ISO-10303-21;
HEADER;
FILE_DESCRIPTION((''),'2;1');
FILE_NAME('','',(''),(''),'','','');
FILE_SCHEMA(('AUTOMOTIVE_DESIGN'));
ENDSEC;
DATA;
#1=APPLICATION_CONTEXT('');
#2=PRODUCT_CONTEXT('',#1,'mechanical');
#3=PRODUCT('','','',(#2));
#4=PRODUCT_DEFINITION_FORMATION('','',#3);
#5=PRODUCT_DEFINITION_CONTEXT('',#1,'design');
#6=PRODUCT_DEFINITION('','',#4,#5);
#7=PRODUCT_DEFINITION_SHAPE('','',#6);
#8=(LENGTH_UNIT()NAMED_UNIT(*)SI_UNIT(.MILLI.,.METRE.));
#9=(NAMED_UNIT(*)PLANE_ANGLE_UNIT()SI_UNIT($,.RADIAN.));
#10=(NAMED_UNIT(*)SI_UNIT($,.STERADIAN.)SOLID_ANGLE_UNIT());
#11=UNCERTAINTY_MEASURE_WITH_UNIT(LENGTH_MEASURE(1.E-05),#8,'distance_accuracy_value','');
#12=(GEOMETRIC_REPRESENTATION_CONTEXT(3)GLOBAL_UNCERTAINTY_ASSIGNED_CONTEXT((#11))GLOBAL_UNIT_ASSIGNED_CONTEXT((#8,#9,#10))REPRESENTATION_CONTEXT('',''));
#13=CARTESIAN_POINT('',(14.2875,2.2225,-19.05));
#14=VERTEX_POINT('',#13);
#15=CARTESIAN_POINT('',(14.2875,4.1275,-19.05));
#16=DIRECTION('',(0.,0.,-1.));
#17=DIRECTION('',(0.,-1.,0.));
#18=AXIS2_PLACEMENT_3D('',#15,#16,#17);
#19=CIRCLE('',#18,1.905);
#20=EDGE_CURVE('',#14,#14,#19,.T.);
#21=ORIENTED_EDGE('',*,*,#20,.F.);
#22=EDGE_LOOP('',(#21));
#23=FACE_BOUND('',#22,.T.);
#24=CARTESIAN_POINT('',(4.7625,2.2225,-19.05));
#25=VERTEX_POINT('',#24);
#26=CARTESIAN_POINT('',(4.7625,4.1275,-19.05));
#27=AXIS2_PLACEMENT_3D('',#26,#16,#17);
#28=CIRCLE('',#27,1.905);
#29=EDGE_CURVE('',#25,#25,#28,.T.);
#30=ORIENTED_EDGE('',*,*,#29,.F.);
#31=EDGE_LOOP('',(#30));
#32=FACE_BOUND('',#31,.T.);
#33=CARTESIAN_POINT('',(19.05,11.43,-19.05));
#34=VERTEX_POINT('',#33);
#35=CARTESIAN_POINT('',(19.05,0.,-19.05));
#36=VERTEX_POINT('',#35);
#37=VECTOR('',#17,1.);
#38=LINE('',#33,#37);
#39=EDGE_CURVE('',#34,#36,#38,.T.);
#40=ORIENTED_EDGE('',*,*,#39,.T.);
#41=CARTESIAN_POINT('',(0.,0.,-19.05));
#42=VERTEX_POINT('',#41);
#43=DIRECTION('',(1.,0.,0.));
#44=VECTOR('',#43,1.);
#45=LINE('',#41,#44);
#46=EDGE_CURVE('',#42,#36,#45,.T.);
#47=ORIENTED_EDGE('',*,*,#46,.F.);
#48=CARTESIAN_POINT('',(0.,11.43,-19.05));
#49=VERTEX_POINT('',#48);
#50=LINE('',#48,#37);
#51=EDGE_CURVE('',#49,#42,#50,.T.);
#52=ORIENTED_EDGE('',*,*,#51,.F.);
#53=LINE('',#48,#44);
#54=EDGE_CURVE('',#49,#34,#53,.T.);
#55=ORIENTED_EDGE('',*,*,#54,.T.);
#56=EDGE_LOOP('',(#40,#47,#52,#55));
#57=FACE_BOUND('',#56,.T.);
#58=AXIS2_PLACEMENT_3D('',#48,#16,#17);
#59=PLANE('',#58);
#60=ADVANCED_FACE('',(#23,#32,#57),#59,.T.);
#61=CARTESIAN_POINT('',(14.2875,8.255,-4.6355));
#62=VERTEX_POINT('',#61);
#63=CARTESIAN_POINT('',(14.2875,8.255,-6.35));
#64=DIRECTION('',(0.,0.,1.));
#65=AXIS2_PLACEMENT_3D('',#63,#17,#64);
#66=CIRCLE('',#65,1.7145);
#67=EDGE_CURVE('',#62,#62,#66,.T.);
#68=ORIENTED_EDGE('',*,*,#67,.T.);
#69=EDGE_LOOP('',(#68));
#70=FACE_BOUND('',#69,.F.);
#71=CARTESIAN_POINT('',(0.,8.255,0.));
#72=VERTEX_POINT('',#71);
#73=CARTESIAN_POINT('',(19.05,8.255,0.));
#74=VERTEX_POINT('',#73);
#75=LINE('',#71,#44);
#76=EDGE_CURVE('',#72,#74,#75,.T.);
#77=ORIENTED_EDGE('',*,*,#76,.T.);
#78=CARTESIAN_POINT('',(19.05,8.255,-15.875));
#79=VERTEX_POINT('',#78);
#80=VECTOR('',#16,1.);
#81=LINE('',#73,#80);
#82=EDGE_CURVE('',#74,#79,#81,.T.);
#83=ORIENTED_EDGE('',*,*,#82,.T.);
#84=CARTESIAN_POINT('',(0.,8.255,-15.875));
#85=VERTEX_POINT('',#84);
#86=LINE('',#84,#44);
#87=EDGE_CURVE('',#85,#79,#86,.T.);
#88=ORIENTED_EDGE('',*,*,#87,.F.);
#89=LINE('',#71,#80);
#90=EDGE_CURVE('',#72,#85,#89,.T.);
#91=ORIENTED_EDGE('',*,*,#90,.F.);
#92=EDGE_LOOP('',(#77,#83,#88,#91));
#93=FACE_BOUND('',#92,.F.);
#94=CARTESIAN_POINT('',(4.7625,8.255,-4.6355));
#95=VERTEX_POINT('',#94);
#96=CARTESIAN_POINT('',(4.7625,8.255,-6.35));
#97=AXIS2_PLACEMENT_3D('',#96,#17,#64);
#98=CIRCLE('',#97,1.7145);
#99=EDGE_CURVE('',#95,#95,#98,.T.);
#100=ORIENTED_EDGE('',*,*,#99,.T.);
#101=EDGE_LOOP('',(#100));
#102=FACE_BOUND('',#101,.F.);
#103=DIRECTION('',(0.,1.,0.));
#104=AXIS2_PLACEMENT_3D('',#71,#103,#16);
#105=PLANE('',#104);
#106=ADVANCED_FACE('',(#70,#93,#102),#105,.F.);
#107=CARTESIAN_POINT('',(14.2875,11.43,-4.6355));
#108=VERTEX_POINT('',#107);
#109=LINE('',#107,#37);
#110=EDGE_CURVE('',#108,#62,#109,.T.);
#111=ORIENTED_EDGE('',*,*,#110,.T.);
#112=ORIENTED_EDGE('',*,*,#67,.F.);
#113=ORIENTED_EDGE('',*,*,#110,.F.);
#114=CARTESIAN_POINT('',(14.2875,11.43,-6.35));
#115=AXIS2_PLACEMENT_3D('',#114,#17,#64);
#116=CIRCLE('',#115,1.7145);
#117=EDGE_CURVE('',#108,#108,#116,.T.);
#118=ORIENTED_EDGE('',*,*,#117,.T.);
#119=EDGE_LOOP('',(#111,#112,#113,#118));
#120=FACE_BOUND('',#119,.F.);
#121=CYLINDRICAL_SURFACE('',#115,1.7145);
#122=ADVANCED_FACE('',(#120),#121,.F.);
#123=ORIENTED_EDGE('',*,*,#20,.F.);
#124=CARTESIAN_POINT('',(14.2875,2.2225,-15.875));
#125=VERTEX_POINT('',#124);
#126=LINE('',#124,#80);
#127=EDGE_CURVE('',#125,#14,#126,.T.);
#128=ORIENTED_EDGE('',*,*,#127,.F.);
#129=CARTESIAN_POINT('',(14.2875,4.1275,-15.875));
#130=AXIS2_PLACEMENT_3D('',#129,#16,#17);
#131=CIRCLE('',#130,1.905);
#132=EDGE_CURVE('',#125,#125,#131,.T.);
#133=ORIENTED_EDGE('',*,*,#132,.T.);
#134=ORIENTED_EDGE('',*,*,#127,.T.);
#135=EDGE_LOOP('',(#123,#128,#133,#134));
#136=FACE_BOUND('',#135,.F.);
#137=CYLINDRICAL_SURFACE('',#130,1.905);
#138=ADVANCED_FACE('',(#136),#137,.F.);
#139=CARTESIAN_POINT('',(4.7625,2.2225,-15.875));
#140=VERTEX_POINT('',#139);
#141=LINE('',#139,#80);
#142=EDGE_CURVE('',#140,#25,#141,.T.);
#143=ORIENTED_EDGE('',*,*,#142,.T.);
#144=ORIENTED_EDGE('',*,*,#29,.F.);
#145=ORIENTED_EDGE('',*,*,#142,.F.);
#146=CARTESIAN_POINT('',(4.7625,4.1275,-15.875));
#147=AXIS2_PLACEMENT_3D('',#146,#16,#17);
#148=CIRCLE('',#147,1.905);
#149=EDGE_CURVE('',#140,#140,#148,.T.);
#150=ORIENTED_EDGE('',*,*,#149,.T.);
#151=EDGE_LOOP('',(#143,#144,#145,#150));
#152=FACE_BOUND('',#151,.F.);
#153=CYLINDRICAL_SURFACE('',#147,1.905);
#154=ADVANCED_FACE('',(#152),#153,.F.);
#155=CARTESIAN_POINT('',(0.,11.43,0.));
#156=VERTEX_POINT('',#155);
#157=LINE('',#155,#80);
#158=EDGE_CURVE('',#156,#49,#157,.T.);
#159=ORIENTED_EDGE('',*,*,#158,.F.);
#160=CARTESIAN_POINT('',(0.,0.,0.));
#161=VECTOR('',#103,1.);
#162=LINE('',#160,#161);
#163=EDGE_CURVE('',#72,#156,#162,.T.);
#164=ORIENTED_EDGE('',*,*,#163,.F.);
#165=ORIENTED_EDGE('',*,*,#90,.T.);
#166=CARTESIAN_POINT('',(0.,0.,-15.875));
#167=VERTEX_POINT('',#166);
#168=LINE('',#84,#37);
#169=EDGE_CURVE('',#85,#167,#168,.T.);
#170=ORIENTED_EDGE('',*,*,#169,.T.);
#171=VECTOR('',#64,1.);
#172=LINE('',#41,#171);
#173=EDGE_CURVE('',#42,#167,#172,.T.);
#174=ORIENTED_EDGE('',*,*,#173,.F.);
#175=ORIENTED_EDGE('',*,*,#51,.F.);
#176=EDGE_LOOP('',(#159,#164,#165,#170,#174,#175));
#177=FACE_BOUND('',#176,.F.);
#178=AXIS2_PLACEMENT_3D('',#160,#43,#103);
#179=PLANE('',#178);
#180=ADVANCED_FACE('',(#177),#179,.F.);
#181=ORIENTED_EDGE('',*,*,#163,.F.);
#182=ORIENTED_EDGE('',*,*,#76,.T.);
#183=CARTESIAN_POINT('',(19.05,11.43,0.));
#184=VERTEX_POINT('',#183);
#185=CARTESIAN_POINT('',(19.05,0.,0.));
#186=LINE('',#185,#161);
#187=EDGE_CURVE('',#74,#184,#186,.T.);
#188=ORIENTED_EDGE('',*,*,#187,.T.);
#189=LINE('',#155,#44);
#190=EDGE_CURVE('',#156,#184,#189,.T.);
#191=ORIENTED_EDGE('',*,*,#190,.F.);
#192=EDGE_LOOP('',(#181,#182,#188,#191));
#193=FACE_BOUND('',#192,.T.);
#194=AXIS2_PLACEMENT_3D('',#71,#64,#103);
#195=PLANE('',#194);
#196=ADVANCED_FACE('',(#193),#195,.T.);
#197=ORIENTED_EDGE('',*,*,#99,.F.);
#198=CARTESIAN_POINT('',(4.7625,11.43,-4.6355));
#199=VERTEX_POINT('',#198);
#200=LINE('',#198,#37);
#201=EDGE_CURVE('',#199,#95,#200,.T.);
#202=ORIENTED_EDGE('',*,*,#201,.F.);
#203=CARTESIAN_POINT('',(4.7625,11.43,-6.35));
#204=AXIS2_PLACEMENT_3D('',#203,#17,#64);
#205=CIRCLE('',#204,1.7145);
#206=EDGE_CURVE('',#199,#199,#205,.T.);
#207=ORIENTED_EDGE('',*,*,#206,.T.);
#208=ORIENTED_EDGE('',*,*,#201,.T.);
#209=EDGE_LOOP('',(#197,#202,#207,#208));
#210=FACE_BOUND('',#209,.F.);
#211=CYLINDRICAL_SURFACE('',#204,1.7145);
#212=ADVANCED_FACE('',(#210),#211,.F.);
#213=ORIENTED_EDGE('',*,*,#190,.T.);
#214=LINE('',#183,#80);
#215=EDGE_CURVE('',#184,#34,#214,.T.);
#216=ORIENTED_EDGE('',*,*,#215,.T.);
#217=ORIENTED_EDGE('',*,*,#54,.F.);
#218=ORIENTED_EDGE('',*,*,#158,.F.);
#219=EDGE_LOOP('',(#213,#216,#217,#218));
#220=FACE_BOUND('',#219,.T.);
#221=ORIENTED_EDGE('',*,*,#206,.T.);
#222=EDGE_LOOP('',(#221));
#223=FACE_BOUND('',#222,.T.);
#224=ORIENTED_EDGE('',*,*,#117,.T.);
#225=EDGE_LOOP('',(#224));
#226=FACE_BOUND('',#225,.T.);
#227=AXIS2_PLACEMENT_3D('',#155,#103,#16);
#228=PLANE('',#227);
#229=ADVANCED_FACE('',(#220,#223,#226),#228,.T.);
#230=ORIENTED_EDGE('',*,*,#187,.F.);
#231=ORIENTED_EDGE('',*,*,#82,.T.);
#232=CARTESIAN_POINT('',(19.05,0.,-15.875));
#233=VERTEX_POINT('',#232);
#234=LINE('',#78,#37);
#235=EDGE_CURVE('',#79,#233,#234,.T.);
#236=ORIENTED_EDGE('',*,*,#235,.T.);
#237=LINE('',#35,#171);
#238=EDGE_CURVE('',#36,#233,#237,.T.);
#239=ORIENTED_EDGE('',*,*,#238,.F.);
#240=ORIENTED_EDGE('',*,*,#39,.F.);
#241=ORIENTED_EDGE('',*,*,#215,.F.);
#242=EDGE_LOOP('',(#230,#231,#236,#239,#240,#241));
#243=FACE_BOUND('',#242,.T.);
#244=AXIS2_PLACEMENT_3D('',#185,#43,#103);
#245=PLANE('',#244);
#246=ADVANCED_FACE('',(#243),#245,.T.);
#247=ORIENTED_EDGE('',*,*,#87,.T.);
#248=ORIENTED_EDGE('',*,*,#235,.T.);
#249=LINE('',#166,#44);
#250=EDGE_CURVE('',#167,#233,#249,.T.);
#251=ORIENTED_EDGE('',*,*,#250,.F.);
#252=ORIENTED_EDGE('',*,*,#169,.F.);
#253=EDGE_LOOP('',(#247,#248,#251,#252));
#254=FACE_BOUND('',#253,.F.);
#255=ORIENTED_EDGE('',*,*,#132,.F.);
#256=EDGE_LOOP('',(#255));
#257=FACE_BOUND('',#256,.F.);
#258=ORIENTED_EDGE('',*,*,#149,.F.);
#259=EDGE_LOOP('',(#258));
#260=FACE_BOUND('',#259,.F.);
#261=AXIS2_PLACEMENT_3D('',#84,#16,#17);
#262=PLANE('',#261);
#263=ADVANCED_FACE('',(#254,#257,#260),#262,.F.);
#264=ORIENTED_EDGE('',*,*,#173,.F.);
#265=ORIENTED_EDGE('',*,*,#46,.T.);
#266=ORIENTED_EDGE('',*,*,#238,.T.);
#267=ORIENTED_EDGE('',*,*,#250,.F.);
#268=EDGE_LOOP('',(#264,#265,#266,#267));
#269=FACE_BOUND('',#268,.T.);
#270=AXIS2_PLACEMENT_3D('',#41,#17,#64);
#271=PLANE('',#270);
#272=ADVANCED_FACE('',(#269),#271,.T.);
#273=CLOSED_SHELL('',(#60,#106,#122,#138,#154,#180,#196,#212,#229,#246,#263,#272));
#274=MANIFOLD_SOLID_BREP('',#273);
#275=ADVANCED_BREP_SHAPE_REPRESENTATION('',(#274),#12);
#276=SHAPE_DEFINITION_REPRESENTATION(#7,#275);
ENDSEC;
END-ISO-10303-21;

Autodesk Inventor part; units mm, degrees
ref_plane "YZ Plane" through (0, 0, 0) normal (1, 0, 0) x (0, 1, 0)
ref_plane "XZ Plane" through (0, 0, 0) normal (0, 1, 0) x (-1, 0, 0)
ref_plane "XY Plane" through (0, 0, 0) normal (0, 0, 1) x (1, 0, 0)
sketch "Sketch1" plane through (0, 0, 0) normal (1, 0, 0) x (0, 1, 0)
  line L0 (0, 0) -> (11.43, 0)
  line L1 (11.43, 0) -> (11.43, -19.05)
  line L2 (11.43, -19.05) -> (0, -19.05)
  line L3 (0, -19.05) -> (0, 0)
  line L4 (0, 0) -> (8.255, 0)
  line L5 (8.255, 0) -> (8.255, -15.875)
  line L6 (8.255, -15.875) -> (0, -15.875)
  line L7 (0, -15.875) -> (0, 0)
  dimension "d0" = 11.43
  dimension "d1" = 19.05
  dimension "d2" = 8.255
  dimension "d3" = 15.875
extrude "Extrusion1" add sketch "Sketch1" along normal blind 19.05 contours L0 L1 L2 L3 L6 L5
sketch "Sketch2" plane through (0, 11.43, 0) normal (0, 1, 0) x (1, 0, 0)
  line L0 (0, 19.05) -> (0, 0) projected
  line L1 (0, 0) -> (19.05, 0) projected
  line L2 (19.05, 19.05) -> (19.05, 0) projected
  line L3 (0, 19.05) -> (19.05, 19.05) projected
  point P0 (0, 0)
  point P1 (4.7625, 6.35)
  point P2 (14.2875, 6.35)
  dimension "d6" = 9.525
  dimension "d7" = 4.7625
  dimension "d8" = 19.05
  dimension "d31" = 19.05
  dimension "d34" = 6.35
  dimension "d35" = 6.35
hole "Hole1" at (4.7625, 11.43, -6.35) at (14.2875, 11.43, -6.35) direction (0, -1, 0) diameter 3.429 end through all
sketch "Sketch3" plane through (0, 0, -15.875) normal (0, 0, 1) x (1, 0, 0)
  line L0 (0, 0) -> (0, 8.255) projected
  line L1 (19.05, 0) -> (0, 0) projected
  line L2 (19.05, 8.255) -> (19.05, 0) projected
  line L3 (0, 8.255) -> (19.05, 8.255) projected
  point P0 (0, 0)
  point P1 (4.7625, 4.1275)
  point P2 (14.2875, 4.1275)
  dimension "d20" = 9.525
  dimension "d21" = 4.7625
  dimension "d22" = 4.1275
  dimension "d23" = 4.1275
  dimension "d32" = 19.05
  dimension "d33" = 8.255
hole "Hole2" at (4.7625, 4.1275, -15.875) at (14.2875, 4.1275, -15.875) direction (0, 0, -1) diameter 3.81 end through all
equation "\"d7\" = -0.5 * d6 + 0.5 * d31"
equation "\"d21\" = -0.5 * d20 + 0.5 * d32"
equation "\"d22\" = 0.5 * d33"
equation "\"d23\" = d22"
properties part number "TensionerPlate4a" material "ABS Plastic"
